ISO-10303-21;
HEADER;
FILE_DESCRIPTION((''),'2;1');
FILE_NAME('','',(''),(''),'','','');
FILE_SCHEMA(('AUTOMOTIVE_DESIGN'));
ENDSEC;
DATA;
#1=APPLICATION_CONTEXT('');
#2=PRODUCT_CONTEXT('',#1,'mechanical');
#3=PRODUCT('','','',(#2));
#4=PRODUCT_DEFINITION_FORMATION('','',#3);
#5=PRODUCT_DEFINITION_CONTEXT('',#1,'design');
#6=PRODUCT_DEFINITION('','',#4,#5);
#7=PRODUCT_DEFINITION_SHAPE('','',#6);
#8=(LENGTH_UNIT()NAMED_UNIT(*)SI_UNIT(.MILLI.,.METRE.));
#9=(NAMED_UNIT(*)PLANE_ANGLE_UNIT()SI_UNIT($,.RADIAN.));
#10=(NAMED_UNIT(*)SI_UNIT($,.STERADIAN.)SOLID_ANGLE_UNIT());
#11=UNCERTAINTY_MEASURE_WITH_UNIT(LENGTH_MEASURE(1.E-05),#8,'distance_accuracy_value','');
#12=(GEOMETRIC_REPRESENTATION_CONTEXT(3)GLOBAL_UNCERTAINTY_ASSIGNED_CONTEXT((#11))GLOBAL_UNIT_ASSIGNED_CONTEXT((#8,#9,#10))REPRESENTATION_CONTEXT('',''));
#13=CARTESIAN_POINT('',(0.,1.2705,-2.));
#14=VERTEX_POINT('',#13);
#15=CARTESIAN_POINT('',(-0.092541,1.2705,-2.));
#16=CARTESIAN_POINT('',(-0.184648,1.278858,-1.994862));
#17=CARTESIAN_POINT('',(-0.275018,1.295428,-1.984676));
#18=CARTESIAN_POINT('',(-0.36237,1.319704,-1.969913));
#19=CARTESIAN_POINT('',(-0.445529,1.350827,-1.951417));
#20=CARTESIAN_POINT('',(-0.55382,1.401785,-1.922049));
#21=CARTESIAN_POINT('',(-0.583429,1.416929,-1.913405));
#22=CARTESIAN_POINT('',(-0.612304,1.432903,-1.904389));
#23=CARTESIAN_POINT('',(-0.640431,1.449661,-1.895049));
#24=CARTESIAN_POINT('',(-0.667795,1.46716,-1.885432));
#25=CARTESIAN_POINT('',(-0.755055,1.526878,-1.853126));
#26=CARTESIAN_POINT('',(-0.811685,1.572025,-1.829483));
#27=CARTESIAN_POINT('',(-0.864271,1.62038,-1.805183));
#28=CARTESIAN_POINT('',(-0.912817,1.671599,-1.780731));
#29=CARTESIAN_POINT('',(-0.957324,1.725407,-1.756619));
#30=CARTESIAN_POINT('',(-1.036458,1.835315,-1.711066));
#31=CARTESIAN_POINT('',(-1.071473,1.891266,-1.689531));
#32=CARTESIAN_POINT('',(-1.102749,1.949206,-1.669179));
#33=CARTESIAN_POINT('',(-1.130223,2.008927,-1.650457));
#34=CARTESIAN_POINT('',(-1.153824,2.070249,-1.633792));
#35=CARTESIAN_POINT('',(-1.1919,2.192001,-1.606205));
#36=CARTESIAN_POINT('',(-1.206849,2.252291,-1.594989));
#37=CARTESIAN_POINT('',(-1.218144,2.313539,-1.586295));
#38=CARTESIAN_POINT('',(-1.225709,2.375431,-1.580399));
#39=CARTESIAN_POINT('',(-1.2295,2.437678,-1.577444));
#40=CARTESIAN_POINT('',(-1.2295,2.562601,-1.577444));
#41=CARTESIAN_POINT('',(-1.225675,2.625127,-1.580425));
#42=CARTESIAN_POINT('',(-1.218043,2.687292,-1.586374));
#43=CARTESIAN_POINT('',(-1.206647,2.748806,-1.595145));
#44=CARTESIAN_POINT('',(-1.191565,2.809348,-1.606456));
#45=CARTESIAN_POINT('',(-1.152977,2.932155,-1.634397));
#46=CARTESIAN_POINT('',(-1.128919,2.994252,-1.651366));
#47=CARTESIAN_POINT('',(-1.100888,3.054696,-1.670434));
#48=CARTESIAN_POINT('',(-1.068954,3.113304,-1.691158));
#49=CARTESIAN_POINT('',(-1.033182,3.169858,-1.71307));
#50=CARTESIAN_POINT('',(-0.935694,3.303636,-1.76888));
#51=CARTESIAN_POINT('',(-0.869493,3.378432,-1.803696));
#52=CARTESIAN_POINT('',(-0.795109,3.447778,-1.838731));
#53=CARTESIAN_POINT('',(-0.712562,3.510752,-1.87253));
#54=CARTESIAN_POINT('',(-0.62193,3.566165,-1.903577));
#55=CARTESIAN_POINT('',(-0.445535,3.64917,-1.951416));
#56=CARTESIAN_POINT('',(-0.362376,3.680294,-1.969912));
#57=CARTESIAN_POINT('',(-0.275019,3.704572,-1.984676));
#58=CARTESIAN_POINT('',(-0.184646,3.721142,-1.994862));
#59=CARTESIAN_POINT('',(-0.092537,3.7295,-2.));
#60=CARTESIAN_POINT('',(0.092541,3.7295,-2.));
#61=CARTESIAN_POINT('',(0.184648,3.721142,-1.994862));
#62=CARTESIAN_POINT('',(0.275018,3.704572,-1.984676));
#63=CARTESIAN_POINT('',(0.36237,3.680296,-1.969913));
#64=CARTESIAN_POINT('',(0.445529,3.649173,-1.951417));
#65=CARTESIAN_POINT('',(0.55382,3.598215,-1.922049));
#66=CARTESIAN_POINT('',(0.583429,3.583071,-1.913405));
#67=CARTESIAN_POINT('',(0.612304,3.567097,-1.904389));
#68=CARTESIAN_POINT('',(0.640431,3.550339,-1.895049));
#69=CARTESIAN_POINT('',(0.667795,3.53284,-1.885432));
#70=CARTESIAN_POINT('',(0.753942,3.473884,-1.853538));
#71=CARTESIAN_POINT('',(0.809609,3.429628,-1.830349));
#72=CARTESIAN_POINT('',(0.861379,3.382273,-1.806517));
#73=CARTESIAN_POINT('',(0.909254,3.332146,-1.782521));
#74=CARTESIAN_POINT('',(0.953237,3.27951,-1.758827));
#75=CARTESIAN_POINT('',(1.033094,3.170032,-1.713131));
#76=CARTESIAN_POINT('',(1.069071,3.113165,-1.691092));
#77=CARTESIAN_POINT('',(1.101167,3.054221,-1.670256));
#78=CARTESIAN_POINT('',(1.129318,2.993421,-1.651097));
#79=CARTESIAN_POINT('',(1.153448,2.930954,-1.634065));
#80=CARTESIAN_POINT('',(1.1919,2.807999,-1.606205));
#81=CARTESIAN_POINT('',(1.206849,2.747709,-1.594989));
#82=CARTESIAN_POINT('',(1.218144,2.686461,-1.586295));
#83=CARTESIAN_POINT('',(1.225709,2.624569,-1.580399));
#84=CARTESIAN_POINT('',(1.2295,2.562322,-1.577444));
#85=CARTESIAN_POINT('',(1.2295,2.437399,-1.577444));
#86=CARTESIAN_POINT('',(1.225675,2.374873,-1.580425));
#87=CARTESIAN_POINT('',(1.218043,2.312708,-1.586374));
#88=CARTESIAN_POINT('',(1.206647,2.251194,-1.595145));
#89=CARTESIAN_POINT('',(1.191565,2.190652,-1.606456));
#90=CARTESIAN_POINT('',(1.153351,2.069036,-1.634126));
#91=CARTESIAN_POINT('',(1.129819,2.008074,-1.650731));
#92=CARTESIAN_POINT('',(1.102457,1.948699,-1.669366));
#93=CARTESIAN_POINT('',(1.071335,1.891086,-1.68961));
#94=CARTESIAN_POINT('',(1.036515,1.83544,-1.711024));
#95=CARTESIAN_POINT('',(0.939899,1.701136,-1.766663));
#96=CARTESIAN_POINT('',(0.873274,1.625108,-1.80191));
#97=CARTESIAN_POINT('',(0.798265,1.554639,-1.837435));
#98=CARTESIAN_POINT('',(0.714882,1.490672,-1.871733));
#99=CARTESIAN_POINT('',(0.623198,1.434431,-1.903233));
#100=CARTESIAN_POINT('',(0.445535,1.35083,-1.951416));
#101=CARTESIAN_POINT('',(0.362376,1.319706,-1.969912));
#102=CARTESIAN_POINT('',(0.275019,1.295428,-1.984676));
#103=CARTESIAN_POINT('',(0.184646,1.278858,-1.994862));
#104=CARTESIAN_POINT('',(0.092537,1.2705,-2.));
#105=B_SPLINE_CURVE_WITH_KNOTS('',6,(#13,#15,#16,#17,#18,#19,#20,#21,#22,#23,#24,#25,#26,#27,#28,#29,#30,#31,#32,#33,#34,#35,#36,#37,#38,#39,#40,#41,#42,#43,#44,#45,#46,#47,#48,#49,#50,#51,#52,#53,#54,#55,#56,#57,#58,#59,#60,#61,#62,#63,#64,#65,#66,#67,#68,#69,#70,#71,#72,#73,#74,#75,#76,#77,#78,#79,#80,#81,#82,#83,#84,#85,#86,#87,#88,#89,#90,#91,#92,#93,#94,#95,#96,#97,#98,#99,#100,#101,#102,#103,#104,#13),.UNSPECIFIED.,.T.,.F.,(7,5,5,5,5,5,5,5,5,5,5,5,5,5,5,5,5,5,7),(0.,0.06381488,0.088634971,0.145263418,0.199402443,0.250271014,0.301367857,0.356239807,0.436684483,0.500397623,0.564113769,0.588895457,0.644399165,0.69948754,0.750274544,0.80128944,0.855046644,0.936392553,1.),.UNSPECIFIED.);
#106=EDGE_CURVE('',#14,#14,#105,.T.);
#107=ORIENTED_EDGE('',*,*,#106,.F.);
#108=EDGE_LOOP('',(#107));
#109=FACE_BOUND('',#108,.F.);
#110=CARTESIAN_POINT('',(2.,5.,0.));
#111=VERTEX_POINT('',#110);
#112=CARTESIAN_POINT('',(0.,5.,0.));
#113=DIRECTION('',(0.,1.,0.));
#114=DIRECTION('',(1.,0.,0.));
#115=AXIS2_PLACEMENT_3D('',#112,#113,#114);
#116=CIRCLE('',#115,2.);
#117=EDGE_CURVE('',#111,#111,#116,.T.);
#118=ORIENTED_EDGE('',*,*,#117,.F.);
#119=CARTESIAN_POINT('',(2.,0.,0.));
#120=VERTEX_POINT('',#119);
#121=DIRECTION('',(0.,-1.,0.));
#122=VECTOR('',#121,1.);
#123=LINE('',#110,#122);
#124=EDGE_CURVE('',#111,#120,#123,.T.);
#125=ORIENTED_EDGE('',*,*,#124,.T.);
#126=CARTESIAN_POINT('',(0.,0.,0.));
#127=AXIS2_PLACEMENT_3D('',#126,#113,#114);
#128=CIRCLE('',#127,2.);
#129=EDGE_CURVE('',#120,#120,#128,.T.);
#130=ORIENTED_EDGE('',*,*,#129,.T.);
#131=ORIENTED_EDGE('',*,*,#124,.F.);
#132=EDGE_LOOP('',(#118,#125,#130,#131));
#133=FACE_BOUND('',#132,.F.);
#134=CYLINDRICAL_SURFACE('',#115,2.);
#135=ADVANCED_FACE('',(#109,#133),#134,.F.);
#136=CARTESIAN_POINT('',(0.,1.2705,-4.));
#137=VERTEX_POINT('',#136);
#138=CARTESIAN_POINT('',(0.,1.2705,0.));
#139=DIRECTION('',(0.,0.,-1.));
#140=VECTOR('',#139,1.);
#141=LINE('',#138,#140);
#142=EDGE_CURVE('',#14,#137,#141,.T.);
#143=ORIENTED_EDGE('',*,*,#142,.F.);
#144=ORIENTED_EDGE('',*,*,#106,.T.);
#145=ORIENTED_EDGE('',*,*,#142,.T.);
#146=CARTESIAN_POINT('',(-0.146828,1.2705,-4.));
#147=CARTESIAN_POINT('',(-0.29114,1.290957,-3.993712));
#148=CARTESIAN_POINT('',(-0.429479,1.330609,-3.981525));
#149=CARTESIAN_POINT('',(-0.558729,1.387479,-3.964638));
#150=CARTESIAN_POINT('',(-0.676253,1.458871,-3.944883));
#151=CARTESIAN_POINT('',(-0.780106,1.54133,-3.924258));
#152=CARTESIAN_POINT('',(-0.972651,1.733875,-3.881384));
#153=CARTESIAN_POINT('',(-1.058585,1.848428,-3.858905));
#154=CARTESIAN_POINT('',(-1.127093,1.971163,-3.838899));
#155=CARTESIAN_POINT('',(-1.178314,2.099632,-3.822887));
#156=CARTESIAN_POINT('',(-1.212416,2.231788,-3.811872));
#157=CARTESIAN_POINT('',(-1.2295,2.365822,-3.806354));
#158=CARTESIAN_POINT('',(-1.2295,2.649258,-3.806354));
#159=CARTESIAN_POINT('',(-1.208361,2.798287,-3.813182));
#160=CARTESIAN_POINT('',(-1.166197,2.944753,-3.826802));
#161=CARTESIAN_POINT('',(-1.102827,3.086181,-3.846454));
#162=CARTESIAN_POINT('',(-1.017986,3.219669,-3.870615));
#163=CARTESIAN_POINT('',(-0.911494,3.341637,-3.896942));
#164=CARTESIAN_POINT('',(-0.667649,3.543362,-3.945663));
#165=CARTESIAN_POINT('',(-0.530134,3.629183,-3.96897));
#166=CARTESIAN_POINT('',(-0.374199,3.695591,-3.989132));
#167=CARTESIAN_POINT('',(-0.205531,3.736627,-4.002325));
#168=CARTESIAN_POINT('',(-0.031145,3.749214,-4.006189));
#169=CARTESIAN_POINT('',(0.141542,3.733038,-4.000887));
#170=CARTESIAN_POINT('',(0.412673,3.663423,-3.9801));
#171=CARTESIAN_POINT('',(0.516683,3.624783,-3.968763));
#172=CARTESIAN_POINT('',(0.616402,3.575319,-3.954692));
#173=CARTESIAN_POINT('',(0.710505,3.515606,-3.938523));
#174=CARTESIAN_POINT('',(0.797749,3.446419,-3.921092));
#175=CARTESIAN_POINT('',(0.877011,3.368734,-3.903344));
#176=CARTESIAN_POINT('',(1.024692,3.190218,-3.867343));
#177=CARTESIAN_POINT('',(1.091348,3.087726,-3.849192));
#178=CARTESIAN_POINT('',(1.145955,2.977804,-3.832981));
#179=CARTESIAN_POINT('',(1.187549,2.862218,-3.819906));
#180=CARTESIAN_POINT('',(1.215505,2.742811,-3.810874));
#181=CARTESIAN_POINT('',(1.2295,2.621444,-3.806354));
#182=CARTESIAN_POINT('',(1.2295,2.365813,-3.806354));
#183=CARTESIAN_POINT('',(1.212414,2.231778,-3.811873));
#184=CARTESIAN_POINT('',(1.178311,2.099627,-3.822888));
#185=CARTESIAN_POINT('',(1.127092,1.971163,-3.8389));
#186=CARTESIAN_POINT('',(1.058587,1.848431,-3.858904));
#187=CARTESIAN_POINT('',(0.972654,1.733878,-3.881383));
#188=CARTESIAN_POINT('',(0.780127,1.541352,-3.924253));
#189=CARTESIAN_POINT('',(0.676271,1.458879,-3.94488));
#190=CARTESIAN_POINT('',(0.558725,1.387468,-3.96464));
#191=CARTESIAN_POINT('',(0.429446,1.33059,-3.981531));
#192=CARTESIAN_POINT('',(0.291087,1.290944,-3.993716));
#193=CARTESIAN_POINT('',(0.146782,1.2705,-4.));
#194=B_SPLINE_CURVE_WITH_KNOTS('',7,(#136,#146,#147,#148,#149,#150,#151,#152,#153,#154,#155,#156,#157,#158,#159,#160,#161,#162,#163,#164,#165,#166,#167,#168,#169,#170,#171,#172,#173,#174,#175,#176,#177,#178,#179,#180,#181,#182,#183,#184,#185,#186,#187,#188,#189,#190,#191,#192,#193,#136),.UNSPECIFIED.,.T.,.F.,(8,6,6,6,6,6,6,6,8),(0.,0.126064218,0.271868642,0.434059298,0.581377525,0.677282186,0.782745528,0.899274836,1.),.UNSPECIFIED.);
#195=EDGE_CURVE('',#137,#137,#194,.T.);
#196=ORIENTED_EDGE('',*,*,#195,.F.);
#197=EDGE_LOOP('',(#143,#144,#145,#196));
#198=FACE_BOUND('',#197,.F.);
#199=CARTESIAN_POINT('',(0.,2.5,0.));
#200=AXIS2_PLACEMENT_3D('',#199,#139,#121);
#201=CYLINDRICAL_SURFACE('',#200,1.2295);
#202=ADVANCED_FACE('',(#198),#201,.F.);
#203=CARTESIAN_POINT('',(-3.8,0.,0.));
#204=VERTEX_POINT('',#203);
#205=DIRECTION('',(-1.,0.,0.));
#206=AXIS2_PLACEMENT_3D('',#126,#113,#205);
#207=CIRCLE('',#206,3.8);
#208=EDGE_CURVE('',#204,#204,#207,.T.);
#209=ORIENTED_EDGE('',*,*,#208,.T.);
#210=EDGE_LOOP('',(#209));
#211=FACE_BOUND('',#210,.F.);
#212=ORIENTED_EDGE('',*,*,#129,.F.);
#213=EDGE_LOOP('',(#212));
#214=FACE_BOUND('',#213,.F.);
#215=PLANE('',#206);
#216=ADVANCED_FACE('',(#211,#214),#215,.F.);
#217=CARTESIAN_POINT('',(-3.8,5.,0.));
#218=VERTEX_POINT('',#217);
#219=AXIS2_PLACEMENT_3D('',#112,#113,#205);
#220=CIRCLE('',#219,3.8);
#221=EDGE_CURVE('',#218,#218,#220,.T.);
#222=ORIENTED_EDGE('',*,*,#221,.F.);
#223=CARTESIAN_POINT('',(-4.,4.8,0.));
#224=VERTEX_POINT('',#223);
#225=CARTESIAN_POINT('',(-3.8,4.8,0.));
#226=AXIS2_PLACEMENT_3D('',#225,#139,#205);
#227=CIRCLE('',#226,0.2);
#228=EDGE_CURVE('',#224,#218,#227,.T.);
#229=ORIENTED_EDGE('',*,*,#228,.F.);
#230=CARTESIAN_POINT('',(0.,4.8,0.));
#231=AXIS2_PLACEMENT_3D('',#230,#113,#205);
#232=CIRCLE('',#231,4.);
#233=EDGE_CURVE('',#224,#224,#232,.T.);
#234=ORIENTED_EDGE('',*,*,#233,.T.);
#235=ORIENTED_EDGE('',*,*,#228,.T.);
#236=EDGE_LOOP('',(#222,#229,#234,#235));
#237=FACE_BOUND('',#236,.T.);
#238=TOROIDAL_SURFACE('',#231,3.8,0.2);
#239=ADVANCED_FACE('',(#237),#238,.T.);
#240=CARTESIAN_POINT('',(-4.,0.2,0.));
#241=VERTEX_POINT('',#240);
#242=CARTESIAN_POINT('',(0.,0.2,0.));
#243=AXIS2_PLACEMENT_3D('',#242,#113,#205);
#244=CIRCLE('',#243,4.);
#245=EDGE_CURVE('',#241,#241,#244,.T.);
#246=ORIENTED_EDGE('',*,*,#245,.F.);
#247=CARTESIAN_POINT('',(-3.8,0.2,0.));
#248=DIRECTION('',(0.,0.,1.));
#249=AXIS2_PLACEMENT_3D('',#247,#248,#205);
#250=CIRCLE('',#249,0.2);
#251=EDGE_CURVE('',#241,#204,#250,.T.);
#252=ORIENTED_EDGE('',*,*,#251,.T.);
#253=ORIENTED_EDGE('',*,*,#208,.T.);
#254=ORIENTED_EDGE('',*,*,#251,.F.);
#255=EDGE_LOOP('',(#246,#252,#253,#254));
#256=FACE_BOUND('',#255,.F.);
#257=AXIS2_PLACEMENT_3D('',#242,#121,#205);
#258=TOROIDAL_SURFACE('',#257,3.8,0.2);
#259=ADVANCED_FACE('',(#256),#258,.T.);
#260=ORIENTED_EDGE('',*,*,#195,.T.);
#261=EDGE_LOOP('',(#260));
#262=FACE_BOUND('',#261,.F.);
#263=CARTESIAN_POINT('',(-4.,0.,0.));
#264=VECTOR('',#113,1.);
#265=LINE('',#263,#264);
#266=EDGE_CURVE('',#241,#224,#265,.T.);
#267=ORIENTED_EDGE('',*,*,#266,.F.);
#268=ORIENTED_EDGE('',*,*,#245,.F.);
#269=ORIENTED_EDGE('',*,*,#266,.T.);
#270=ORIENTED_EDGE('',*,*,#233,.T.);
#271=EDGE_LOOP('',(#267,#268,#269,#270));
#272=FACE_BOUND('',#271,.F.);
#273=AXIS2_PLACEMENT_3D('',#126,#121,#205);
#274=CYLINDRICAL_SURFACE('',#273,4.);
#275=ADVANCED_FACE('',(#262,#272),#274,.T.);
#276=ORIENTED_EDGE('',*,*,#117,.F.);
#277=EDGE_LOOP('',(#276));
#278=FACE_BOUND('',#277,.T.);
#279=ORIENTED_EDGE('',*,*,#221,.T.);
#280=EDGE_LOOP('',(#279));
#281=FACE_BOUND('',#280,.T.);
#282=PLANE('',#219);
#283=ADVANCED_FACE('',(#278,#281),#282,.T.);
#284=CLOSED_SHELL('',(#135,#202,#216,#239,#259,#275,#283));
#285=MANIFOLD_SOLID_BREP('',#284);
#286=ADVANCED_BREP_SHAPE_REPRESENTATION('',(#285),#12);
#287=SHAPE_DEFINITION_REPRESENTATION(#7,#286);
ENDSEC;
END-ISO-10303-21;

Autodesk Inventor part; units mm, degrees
ref_plane "YZ Plane" through (0, 0, 0) normal (1, 0, 0) x (0, 1, 0)
ref_plane "XZ Plane" through (0, 0, 0) normal (0, 1, 0) x (-1, 0, 0)
ref_plane "XY Plane" through (0, 0, 0) normal (0, 0, 1) x (1, 0, 0)
sketch "スケッチ1" plane through (0, 0, 0) normal (0, 1, 0) x (-1, 0, 0)
  circle A0 centre (0, 0) radius 4
  dimension "d0" = 8
extrude "押し出し1" add sketch "スケッチ1" along normal blind 5
fillet "フィレット1" radius 0.2 1 edges at (4, 5, 0)
fillet "フィレット2" radius 0.2 1 edges at (4, 0, 0)
sketch "スケッチ2" plane through (0, 5, 0) normal (0, 1, 0) x (1, 0, 0)
  circle A0 centre (0, 0) radius 2
  dimension "d5" = 4
extrude "押し出し2" cut sketch "スケッチ2" against normal blind 5
sketch "スケッチ3" plane through (0, 0, 0) normal (0, 0, 1) x (1, 0, 0)
  line L0 (3.8, 0) -> (-3.8, 0) projected
  point P0 (0, 0)
  point P1 (0, 2.5)
  dimension "d8" = 2.5
hole "穴1" at (0, 2.5, 0) direction (0, 0, -1) diameter 2.459 depth 5 tip angle 118 thread size "M3x0.5" class "6H" standard "ANSI Metric M Profile"
properties part number "シャフトカラー" material "ステンレス鋼"
